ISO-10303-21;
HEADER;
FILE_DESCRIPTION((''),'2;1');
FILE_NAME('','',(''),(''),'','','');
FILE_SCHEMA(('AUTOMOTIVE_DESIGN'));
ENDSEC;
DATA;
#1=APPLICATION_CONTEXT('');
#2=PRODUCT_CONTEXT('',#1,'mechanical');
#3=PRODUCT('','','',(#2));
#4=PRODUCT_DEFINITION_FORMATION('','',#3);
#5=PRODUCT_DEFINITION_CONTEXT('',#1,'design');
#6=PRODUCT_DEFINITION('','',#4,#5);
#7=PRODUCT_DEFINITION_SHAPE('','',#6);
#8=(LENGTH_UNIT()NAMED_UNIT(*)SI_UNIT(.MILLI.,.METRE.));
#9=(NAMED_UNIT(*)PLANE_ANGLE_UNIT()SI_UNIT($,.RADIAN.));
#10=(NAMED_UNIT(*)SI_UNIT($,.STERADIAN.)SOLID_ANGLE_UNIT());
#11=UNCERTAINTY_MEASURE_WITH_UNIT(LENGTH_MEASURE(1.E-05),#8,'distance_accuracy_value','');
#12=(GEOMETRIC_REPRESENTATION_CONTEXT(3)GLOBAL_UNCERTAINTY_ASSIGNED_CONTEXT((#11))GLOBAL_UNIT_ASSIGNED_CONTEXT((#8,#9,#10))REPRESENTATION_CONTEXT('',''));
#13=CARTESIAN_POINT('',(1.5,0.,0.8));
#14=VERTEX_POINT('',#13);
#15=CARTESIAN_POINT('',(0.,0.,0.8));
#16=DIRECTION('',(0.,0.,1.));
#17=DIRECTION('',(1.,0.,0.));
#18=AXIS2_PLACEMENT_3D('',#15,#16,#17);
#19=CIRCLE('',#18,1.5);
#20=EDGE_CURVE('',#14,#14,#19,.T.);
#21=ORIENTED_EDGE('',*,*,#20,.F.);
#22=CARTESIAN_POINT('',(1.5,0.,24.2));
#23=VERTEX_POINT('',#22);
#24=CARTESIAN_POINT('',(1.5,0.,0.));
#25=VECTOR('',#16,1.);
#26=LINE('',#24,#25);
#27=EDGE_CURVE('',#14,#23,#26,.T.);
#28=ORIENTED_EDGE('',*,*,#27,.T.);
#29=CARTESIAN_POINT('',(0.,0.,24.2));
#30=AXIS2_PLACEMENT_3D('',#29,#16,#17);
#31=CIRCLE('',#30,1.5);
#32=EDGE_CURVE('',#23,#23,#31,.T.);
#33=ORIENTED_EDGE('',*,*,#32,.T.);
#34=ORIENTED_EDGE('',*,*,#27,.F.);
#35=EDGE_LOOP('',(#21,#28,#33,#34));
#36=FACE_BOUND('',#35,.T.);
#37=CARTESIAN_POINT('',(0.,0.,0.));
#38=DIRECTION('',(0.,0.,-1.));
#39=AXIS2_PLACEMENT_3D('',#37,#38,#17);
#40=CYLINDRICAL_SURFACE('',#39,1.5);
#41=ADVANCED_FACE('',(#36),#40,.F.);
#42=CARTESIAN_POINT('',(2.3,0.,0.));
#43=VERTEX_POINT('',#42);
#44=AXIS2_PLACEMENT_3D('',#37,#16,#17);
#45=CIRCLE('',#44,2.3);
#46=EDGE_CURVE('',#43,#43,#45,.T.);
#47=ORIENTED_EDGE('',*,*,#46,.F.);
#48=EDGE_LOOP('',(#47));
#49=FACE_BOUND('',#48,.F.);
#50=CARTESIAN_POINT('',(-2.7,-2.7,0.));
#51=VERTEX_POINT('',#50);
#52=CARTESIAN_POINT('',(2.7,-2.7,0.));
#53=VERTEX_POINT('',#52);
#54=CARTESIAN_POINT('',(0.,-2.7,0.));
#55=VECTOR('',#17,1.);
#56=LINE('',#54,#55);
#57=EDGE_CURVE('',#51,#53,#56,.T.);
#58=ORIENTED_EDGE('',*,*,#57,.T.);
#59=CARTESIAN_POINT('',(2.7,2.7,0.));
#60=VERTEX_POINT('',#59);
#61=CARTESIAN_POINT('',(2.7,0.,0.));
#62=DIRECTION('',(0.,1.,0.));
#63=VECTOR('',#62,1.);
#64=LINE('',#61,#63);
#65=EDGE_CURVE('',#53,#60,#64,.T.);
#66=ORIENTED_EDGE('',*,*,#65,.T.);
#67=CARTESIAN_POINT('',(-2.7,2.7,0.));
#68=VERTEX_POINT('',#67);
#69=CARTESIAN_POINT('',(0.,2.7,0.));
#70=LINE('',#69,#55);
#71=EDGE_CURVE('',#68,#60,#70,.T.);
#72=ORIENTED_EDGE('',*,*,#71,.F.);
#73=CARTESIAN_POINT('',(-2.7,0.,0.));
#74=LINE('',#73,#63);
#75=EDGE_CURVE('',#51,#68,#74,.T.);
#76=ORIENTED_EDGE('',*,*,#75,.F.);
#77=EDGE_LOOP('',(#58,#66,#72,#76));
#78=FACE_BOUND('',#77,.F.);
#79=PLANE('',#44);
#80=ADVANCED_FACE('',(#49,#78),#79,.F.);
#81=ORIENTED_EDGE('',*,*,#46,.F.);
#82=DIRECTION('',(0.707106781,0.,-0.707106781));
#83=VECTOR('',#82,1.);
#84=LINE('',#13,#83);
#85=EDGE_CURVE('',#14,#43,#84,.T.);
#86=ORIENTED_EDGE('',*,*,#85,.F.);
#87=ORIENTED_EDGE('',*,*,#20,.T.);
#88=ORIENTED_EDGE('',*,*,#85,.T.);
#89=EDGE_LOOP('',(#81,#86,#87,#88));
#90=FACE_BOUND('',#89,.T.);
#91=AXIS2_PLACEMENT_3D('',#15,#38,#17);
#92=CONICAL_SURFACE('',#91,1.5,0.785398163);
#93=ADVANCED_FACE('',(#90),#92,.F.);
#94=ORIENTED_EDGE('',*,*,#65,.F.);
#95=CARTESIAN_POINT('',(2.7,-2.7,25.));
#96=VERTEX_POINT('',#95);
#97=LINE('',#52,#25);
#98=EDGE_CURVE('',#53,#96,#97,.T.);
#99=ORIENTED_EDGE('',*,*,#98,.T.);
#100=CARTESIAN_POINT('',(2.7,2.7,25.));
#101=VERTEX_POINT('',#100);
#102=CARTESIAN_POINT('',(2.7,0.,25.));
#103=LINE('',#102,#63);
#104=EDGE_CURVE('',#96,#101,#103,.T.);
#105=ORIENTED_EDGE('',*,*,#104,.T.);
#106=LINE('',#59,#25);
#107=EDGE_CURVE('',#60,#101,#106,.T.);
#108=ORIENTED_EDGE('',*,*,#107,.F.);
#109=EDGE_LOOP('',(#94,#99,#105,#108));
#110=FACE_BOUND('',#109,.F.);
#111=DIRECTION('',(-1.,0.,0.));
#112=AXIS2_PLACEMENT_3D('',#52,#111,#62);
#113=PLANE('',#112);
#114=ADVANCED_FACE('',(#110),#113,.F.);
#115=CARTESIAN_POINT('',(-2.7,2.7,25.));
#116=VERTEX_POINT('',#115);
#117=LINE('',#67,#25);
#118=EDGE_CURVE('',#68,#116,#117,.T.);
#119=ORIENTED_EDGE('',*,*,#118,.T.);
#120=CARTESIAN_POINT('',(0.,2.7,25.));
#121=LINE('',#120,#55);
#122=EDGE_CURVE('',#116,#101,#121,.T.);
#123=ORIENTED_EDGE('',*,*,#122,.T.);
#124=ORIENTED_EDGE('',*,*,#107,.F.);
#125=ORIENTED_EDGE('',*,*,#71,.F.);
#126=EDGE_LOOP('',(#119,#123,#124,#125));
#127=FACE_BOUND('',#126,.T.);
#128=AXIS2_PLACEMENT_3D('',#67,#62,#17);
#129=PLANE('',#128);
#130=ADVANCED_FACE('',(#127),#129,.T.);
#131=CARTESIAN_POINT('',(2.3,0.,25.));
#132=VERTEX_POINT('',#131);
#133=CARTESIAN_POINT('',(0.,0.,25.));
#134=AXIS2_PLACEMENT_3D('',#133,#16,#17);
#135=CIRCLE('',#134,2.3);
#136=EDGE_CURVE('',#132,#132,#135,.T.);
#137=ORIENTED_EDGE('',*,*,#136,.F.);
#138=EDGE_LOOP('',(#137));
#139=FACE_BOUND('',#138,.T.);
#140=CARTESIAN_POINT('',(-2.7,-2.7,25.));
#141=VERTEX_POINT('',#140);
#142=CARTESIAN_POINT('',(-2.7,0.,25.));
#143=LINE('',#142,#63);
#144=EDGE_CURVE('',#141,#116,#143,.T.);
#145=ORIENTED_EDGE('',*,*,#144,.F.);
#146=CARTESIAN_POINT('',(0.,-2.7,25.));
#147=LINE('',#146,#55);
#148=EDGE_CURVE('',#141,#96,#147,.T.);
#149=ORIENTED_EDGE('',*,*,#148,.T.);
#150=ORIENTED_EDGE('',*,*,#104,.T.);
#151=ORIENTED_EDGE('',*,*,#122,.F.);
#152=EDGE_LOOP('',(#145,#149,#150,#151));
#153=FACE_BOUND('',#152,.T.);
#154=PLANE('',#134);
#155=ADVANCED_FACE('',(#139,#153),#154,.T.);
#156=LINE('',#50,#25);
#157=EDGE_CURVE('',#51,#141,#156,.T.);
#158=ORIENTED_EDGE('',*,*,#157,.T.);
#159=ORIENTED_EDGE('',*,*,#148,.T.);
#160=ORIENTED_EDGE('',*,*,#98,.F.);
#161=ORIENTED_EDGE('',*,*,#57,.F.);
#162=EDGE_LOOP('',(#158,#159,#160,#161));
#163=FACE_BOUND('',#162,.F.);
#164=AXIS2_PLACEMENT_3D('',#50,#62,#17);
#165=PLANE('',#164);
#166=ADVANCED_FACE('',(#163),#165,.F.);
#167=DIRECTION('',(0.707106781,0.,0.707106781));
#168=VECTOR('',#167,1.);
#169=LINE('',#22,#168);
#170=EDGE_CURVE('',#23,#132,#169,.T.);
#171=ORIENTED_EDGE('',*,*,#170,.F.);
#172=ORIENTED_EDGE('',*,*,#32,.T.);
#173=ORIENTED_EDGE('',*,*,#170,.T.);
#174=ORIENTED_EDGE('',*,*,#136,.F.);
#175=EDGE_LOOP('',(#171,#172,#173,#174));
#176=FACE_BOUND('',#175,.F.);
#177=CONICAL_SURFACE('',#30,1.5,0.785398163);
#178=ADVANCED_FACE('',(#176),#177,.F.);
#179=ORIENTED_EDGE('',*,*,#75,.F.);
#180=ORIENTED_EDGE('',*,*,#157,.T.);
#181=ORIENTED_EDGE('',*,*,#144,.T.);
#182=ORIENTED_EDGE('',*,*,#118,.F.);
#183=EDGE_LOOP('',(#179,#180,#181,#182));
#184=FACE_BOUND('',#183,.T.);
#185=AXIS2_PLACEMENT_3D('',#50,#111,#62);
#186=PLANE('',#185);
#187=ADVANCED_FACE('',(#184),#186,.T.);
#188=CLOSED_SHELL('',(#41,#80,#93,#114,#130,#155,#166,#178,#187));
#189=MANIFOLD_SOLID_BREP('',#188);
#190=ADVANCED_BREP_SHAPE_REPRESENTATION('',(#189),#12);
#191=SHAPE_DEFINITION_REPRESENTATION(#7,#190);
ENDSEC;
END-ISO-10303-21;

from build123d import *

# Parameters (mm, degrees)
F0_W     = 5.4
F0_H     = 5.4
F0_R     = 1.5
F1_DEPTH = 25
F2_SIZE  = 0.8


with BuildPart() as f1:
    # F0 (on Top) → F1 (new body)
    with BuildSketch(Plane.XY):
        Rectangle(F0_W, F0_H)
        Circle(F0_R, mode=Mode.SUBTRACT)
    extrude(amount=F1_DEPTH)

    # F2
    f2_edges = [f1.edges().sort_by_distance(p)[0] for p in [
        (-1.5, 0, 25),
        (-1.5, 0, 0),
    ]]
    chamfer(f2_edges, length=F2_SIZE)


solid = f1.part
